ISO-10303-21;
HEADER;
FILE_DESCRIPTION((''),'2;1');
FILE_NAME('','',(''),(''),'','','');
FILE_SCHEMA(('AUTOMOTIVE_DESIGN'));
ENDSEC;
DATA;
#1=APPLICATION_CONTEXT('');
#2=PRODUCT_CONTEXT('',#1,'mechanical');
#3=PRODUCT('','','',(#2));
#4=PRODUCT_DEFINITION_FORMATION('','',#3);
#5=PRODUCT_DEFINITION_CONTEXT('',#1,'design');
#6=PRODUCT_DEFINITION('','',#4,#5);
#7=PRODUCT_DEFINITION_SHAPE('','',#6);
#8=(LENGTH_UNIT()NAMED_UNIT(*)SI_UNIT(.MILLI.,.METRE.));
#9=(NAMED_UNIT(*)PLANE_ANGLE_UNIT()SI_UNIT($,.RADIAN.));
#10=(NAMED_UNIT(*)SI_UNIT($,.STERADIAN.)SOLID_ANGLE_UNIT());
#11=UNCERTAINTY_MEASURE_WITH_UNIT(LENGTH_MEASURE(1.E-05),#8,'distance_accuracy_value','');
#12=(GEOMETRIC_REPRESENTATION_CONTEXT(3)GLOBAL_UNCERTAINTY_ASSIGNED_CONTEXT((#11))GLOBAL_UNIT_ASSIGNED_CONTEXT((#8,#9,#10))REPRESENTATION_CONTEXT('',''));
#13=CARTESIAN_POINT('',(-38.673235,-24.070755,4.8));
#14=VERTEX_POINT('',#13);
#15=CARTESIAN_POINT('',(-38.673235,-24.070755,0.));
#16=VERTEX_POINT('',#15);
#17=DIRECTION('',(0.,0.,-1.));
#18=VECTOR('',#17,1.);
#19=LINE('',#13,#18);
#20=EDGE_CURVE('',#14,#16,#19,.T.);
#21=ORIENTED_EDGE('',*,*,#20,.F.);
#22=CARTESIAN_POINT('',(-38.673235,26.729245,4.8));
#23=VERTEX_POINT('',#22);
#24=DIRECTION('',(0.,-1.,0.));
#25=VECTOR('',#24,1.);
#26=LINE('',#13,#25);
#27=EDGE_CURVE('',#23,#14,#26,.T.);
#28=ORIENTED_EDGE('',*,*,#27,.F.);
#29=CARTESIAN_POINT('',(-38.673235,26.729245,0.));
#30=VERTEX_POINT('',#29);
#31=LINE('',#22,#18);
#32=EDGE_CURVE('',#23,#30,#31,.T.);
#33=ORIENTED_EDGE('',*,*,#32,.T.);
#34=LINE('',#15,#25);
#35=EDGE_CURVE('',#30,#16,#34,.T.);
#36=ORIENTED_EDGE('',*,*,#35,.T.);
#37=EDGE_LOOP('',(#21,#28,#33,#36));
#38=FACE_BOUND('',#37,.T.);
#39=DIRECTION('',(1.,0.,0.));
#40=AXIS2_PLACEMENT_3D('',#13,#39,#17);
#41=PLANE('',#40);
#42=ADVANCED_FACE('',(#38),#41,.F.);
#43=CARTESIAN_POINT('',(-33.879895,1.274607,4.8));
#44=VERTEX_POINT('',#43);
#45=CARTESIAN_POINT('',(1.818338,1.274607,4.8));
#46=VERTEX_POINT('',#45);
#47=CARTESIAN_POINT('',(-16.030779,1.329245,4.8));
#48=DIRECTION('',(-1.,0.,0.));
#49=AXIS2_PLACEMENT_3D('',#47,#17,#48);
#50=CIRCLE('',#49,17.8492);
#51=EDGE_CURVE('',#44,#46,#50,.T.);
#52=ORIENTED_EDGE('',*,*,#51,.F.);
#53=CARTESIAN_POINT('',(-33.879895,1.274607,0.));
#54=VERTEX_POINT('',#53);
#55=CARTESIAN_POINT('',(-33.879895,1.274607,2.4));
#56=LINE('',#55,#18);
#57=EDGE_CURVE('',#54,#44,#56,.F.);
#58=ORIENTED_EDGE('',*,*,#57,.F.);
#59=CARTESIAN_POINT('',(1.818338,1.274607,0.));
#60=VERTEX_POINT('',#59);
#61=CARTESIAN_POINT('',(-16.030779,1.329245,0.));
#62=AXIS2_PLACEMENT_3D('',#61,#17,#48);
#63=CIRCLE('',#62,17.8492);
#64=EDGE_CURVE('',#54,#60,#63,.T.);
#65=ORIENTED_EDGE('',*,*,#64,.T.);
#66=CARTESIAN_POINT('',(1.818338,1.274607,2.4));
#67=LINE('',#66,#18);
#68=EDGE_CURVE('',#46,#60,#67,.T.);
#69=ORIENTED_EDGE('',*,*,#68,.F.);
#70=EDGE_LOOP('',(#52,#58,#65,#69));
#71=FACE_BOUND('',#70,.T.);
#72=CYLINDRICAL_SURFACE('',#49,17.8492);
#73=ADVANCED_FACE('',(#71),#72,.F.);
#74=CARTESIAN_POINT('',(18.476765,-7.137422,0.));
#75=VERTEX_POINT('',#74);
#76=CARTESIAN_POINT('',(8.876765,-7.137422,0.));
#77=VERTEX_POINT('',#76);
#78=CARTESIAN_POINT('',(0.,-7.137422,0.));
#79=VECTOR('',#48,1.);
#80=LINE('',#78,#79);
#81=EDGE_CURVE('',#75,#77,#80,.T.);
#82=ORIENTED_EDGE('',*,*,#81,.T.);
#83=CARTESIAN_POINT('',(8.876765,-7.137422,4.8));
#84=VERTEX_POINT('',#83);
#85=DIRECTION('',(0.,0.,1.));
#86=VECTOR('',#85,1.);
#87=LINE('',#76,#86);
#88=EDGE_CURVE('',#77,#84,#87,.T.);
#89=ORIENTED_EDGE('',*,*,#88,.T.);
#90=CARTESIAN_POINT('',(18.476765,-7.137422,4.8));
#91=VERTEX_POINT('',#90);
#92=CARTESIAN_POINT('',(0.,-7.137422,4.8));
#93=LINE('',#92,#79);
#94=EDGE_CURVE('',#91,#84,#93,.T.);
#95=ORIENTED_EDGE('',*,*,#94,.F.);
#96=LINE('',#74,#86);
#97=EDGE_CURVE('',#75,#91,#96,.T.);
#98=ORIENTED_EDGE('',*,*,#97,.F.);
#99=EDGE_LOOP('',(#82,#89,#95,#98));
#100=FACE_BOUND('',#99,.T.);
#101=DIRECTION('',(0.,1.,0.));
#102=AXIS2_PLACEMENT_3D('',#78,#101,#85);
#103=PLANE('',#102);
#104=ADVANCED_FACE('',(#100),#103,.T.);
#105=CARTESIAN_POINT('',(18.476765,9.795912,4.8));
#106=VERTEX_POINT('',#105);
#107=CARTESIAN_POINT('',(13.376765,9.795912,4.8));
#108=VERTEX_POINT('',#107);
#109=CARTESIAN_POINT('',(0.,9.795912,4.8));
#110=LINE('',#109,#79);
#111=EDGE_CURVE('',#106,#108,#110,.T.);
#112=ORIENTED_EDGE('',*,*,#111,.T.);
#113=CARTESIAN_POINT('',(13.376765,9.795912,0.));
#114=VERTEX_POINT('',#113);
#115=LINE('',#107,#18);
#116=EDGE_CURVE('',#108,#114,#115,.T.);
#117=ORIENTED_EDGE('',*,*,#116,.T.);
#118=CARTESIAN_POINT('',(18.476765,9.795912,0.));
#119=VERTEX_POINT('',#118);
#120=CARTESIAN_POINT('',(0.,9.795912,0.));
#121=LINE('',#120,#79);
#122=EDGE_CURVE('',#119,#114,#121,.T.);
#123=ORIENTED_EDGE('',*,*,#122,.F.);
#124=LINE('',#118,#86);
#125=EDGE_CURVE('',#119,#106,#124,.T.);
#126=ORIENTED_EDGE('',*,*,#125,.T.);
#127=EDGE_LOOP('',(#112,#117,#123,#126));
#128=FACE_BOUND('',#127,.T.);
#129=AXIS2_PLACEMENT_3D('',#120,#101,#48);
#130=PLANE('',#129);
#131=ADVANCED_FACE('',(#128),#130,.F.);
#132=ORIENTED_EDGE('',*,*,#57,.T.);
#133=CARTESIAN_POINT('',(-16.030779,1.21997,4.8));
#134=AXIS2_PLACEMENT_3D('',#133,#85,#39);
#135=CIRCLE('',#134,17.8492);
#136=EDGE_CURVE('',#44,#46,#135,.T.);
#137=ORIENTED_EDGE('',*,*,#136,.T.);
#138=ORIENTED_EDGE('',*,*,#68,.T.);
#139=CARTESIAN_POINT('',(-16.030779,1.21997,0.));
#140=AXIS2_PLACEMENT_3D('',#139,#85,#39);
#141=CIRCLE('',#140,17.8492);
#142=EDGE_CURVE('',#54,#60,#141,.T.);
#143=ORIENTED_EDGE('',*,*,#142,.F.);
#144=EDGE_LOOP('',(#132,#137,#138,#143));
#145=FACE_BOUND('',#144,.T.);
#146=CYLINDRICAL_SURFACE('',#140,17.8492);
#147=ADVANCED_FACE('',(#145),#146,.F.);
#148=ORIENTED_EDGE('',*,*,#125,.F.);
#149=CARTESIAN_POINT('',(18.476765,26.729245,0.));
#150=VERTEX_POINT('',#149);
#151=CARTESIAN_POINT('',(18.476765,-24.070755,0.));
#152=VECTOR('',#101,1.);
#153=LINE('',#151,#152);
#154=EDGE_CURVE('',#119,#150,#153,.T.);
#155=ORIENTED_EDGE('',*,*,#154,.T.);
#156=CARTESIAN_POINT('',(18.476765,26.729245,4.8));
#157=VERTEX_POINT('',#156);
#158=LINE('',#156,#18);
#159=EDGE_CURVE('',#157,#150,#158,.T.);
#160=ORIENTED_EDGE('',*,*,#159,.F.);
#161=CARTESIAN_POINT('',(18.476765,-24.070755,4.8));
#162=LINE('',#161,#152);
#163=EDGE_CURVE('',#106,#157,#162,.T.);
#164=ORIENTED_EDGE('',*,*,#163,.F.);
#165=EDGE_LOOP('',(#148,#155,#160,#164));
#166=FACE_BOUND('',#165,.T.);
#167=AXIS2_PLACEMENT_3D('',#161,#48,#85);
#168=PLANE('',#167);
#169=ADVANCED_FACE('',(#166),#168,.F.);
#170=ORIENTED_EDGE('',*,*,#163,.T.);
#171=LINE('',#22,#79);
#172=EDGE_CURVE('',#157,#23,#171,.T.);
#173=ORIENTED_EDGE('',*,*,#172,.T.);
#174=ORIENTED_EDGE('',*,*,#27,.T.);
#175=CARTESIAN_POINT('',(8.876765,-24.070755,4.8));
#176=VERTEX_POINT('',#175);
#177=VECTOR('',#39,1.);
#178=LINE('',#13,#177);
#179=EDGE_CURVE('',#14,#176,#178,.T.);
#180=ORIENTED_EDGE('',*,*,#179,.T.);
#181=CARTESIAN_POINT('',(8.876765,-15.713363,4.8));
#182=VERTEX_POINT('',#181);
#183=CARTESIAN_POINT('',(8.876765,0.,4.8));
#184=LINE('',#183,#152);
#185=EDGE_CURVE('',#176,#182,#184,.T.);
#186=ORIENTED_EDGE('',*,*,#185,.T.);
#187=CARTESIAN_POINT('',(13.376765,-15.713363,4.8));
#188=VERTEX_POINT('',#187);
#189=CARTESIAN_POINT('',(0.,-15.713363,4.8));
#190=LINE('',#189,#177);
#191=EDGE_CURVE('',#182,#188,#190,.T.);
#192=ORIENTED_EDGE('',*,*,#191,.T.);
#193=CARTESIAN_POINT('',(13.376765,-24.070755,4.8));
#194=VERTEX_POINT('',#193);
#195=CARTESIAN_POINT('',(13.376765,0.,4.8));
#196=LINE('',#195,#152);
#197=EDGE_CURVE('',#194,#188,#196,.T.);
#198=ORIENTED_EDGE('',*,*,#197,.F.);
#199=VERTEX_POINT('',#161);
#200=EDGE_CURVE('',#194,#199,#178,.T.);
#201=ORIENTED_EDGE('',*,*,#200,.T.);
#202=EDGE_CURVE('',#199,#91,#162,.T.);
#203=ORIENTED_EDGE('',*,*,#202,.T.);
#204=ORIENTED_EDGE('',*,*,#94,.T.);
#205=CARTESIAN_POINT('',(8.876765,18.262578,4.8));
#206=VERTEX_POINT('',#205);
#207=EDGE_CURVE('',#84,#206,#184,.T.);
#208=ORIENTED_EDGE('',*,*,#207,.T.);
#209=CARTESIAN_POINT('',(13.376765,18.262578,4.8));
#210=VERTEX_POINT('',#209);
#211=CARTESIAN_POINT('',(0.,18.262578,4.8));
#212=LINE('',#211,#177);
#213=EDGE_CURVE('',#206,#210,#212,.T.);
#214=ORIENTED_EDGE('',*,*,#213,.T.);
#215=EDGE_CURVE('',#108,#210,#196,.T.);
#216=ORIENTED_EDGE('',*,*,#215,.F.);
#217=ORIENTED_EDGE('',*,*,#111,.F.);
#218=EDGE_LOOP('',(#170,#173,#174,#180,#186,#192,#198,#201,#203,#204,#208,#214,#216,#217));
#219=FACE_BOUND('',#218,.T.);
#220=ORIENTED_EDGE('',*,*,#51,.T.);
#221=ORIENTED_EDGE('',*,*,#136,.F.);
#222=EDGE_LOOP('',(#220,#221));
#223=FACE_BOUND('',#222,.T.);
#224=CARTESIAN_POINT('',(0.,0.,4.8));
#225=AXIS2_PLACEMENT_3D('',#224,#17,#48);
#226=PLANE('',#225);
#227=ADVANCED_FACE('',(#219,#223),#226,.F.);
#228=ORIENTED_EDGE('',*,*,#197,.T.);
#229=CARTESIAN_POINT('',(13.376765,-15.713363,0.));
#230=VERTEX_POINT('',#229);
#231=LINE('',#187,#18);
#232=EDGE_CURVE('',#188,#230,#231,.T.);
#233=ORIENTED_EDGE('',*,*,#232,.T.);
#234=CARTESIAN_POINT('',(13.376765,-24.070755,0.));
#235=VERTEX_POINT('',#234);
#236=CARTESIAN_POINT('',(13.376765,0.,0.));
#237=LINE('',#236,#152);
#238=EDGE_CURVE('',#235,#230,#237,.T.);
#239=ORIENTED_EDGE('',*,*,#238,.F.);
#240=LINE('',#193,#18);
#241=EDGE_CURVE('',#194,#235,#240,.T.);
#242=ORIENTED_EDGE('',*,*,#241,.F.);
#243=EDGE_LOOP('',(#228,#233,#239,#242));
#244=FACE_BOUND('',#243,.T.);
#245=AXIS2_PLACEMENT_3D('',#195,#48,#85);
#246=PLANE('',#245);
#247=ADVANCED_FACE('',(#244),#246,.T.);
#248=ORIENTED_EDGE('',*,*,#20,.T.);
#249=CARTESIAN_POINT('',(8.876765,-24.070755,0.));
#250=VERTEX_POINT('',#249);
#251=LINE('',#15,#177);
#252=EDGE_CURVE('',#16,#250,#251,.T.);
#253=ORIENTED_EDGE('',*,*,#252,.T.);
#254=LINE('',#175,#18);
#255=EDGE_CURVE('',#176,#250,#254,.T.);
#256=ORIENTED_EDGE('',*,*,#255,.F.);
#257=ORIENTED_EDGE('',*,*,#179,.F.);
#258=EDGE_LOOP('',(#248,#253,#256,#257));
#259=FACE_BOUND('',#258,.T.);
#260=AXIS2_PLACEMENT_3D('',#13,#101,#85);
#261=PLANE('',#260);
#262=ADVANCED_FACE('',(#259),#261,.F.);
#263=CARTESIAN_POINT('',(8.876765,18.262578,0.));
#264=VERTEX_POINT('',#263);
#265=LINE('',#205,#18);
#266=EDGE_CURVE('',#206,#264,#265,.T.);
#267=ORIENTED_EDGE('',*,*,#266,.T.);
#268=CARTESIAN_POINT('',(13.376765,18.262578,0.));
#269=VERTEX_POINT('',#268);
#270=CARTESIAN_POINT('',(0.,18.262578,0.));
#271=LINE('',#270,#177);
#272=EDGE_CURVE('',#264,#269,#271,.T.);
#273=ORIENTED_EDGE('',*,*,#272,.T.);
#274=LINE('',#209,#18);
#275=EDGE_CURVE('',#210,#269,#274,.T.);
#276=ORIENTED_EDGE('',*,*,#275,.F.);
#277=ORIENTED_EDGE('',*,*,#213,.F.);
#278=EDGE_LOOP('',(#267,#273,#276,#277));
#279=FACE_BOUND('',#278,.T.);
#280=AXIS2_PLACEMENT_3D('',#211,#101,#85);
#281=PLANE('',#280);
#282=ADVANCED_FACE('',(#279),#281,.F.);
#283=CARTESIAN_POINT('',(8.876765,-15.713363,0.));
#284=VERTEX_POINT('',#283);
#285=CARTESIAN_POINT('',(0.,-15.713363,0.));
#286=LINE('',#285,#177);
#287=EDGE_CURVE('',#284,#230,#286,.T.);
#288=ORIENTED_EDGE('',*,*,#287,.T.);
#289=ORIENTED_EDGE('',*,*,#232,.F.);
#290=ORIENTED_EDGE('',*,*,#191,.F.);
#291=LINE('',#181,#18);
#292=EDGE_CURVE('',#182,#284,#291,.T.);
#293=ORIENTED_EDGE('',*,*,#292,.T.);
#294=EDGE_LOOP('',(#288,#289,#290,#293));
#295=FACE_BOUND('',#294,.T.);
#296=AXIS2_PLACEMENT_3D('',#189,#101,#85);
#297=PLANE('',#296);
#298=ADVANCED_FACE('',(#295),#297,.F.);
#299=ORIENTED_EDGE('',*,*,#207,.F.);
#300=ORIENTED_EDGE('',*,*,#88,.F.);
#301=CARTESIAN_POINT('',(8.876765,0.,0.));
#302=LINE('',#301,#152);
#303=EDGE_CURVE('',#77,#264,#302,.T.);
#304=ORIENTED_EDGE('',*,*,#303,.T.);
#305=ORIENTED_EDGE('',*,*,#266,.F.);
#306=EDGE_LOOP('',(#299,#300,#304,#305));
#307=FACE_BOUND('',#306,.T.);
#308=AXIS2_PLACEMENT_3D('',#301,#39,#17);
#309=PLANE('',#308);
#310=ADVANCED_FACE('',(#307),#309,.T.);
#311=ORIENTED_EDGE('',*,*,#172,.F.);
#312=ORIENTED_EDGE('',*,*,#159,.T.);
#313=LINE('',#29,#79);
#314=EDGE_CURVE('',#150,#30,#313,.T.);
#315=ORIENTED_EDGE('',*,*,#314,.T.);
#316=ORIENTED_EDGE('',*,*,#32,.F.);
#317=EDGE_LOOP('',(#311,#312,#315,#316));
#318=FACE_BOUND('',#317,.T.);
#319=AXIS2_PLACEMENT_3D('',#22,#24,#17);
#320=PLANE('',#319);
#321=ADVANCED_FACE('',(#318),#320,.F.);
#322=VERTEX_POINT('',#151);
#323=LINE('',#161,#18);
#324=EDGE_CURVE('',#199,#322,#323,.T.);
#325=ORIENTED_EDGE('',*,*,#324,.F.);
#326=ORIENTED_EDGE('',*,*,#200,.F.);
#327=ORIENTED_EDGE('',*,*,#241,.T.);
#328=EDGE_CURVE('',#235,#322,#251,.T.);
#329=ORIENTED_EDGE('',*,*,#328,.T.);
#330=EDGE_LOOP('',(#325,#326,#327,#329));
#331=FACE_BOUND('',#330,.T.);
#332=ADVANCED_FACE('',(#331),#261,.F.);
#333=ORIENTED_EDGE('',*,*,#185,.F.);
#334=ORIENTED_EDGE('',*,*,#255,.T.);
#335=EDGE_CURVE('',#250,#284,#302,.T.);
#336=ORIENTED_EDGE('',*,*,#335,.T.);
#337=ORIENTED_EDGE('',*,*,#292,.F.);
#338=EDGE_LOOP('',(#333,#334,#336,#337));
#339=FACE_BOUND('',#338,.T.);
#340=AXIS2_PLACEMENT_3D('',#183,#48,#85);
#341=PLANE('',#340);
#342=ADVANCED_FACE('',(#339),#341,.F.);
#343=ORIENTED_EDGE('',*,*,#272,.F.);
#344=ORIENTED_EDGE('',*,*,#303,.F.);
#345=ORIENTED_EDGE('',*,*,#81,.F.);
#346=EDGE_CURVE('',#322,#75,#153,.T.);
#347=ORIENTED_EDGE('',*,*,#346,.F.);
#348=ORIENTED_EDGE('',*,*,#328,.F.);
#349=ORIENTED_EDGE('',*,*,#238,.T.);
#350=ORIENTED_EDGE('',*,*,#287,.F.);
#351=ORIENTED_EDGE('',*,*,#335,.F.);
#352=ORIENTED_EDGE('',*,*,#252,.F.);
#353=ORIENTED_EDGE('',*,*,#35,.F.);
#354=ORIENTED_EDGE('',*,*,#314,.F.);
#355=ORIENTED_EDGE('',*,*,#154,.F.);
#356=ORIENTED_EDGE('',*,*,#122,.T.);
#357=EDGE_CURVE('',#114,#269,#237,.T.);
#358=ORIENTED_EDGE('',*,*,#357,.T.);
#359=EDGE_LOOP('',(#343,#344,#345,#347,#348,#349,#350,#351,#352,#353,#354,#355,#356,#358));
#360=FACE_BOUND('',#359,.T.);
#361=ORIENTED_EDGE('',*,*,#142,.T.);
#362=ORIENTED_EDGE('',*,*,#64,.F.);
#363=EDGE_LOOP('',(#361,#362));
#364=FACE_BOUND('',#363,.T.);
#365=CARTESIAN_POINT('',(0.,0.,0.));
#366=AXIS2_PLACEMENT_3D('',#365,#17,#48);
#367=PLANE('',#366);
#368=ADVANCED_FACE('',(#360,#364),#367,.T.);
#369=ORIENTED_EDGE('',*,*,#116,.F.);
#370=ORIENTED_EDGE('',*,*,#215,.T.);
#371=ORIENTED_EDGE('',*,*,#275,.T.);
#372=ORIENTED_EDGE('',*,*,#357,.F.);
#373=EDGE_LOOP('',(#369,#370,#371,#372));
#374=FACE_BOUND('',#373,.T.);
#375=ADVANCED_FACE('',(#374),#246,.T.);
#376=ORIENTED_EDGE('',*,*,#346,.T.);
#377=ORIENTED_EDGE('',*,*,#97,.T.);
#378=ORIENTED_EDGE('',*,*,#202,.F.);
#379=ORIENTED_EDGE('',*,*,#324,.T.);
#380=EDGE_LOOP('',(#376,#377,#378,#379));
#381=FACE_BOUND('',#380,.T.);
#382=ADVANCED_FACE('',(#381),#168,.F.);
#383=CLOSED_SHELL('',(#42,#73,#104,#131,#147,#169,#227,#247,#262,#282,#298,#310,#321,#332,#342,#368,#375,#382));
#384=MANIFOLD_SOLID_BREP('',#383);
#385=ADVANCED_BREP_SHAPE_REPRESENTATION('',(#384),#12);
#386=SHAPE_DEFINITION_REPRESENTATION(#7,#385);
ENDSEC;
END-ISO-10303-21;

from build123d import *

# Parameters (mm, degrees)
SKETCH1_W           = 57.15
SKETCH1_H           = 50.8
BOSS_EXTRUDE1_DEPTH = 4.800000052
SKETCH3_W           = 9.600000104
SKETCH3_H           = 16.933333334
CUT_EXTRUDE2_DEPTH  = 48.255810933
SKETCH7_R           = 17.849200014
CUT_EXTRUDE6_DEPTH  = 100.442088012
SKETCH4_W           = 4.500000144
SKETCH4_H           = 8.466666666
SKETCH4_H_2         = 8.357391871
CUT_EXTRUDE7_DEPTH  = 48.255810933
SKETCH8_R           = 17.849200014
CUT_EXTRUDE8_DEPTH  = 100.528553706


with BuildPart() as part:
    # Sketch1 → Boss-Extrude1 (new body)
    with BuildSketch(Plane.XY):
        with Locations((-10.098235381, 1.329244875)):
            Rectangle(SKETCH1_W, SKETCH1_H)
    extrude(amount=BOSS_EXTRUDE1_DEPTH)

    # Sketch3 → Cut-Extrude2 (cut, through all)
    with BuildSketch(Plane.XY.offset(4.800000052)):
        with Locations((13.676764567, 1.329244875)):
            Rectangle(SKETCH3_W, SKETCH3_H)
    extrude(amount=-CUT_EXTRUDE2_DEPTH, mode=Mode.SUBTRACT)

    # Sketch7 → Cut-Extrude6 (cut, through all)
    with BuildSketch(Plane(origin=(21.96927249, 54.594199632, 4.800000052), x_dir=(0.8370756248818486, 0.5470871943563135, 0), z_dir=(0, 0, 1))):
        with Locations(Location((-61.009273933, -23.888925268, 0), (0, 0, 326.832589089))):
            Circle(SKETCH7_R)
    extrude(amount=-CUT_EXTRUDE6_DEPTH, mode=Mode.SUBTRACT)

    # Sketch4 → Cut-Extrude7 (cut, through all)
    with BuildSketch(Plane(origin=(0, 0, 0), x_dir=(-1, 0, 0), z_dir=(0, 0, -1))):
        with Locations((-11.126764587, 14.029244875)):
            Rectangle(SKETCH4_W, SKETCH4_H)
        with Locations((-11.126764587, -19.89205919)):
            Rectangle(SKETCH4_W, SKETCH4_H_2)
    extrude(amount=-CUT_EXTRUDE7_DEPTH, mode=Mode.SUBTRACT)

    # Sketch8 → Cut-Extrude8 (cut, through all)
    with BuildSketch(Plane(origin=(21.96927249, 54.703474427, 0), x_dir=(0, -1, 0), z_dir=(0, 0, -1))):
        with Locations((53.374229552, 38.000051)):
            Circle(SKETCH8_R)
    extrude(amount=-CUT_EXTRUDE8_DEPTH, mode=Mode.SUBTRACT)


solid = part.part
